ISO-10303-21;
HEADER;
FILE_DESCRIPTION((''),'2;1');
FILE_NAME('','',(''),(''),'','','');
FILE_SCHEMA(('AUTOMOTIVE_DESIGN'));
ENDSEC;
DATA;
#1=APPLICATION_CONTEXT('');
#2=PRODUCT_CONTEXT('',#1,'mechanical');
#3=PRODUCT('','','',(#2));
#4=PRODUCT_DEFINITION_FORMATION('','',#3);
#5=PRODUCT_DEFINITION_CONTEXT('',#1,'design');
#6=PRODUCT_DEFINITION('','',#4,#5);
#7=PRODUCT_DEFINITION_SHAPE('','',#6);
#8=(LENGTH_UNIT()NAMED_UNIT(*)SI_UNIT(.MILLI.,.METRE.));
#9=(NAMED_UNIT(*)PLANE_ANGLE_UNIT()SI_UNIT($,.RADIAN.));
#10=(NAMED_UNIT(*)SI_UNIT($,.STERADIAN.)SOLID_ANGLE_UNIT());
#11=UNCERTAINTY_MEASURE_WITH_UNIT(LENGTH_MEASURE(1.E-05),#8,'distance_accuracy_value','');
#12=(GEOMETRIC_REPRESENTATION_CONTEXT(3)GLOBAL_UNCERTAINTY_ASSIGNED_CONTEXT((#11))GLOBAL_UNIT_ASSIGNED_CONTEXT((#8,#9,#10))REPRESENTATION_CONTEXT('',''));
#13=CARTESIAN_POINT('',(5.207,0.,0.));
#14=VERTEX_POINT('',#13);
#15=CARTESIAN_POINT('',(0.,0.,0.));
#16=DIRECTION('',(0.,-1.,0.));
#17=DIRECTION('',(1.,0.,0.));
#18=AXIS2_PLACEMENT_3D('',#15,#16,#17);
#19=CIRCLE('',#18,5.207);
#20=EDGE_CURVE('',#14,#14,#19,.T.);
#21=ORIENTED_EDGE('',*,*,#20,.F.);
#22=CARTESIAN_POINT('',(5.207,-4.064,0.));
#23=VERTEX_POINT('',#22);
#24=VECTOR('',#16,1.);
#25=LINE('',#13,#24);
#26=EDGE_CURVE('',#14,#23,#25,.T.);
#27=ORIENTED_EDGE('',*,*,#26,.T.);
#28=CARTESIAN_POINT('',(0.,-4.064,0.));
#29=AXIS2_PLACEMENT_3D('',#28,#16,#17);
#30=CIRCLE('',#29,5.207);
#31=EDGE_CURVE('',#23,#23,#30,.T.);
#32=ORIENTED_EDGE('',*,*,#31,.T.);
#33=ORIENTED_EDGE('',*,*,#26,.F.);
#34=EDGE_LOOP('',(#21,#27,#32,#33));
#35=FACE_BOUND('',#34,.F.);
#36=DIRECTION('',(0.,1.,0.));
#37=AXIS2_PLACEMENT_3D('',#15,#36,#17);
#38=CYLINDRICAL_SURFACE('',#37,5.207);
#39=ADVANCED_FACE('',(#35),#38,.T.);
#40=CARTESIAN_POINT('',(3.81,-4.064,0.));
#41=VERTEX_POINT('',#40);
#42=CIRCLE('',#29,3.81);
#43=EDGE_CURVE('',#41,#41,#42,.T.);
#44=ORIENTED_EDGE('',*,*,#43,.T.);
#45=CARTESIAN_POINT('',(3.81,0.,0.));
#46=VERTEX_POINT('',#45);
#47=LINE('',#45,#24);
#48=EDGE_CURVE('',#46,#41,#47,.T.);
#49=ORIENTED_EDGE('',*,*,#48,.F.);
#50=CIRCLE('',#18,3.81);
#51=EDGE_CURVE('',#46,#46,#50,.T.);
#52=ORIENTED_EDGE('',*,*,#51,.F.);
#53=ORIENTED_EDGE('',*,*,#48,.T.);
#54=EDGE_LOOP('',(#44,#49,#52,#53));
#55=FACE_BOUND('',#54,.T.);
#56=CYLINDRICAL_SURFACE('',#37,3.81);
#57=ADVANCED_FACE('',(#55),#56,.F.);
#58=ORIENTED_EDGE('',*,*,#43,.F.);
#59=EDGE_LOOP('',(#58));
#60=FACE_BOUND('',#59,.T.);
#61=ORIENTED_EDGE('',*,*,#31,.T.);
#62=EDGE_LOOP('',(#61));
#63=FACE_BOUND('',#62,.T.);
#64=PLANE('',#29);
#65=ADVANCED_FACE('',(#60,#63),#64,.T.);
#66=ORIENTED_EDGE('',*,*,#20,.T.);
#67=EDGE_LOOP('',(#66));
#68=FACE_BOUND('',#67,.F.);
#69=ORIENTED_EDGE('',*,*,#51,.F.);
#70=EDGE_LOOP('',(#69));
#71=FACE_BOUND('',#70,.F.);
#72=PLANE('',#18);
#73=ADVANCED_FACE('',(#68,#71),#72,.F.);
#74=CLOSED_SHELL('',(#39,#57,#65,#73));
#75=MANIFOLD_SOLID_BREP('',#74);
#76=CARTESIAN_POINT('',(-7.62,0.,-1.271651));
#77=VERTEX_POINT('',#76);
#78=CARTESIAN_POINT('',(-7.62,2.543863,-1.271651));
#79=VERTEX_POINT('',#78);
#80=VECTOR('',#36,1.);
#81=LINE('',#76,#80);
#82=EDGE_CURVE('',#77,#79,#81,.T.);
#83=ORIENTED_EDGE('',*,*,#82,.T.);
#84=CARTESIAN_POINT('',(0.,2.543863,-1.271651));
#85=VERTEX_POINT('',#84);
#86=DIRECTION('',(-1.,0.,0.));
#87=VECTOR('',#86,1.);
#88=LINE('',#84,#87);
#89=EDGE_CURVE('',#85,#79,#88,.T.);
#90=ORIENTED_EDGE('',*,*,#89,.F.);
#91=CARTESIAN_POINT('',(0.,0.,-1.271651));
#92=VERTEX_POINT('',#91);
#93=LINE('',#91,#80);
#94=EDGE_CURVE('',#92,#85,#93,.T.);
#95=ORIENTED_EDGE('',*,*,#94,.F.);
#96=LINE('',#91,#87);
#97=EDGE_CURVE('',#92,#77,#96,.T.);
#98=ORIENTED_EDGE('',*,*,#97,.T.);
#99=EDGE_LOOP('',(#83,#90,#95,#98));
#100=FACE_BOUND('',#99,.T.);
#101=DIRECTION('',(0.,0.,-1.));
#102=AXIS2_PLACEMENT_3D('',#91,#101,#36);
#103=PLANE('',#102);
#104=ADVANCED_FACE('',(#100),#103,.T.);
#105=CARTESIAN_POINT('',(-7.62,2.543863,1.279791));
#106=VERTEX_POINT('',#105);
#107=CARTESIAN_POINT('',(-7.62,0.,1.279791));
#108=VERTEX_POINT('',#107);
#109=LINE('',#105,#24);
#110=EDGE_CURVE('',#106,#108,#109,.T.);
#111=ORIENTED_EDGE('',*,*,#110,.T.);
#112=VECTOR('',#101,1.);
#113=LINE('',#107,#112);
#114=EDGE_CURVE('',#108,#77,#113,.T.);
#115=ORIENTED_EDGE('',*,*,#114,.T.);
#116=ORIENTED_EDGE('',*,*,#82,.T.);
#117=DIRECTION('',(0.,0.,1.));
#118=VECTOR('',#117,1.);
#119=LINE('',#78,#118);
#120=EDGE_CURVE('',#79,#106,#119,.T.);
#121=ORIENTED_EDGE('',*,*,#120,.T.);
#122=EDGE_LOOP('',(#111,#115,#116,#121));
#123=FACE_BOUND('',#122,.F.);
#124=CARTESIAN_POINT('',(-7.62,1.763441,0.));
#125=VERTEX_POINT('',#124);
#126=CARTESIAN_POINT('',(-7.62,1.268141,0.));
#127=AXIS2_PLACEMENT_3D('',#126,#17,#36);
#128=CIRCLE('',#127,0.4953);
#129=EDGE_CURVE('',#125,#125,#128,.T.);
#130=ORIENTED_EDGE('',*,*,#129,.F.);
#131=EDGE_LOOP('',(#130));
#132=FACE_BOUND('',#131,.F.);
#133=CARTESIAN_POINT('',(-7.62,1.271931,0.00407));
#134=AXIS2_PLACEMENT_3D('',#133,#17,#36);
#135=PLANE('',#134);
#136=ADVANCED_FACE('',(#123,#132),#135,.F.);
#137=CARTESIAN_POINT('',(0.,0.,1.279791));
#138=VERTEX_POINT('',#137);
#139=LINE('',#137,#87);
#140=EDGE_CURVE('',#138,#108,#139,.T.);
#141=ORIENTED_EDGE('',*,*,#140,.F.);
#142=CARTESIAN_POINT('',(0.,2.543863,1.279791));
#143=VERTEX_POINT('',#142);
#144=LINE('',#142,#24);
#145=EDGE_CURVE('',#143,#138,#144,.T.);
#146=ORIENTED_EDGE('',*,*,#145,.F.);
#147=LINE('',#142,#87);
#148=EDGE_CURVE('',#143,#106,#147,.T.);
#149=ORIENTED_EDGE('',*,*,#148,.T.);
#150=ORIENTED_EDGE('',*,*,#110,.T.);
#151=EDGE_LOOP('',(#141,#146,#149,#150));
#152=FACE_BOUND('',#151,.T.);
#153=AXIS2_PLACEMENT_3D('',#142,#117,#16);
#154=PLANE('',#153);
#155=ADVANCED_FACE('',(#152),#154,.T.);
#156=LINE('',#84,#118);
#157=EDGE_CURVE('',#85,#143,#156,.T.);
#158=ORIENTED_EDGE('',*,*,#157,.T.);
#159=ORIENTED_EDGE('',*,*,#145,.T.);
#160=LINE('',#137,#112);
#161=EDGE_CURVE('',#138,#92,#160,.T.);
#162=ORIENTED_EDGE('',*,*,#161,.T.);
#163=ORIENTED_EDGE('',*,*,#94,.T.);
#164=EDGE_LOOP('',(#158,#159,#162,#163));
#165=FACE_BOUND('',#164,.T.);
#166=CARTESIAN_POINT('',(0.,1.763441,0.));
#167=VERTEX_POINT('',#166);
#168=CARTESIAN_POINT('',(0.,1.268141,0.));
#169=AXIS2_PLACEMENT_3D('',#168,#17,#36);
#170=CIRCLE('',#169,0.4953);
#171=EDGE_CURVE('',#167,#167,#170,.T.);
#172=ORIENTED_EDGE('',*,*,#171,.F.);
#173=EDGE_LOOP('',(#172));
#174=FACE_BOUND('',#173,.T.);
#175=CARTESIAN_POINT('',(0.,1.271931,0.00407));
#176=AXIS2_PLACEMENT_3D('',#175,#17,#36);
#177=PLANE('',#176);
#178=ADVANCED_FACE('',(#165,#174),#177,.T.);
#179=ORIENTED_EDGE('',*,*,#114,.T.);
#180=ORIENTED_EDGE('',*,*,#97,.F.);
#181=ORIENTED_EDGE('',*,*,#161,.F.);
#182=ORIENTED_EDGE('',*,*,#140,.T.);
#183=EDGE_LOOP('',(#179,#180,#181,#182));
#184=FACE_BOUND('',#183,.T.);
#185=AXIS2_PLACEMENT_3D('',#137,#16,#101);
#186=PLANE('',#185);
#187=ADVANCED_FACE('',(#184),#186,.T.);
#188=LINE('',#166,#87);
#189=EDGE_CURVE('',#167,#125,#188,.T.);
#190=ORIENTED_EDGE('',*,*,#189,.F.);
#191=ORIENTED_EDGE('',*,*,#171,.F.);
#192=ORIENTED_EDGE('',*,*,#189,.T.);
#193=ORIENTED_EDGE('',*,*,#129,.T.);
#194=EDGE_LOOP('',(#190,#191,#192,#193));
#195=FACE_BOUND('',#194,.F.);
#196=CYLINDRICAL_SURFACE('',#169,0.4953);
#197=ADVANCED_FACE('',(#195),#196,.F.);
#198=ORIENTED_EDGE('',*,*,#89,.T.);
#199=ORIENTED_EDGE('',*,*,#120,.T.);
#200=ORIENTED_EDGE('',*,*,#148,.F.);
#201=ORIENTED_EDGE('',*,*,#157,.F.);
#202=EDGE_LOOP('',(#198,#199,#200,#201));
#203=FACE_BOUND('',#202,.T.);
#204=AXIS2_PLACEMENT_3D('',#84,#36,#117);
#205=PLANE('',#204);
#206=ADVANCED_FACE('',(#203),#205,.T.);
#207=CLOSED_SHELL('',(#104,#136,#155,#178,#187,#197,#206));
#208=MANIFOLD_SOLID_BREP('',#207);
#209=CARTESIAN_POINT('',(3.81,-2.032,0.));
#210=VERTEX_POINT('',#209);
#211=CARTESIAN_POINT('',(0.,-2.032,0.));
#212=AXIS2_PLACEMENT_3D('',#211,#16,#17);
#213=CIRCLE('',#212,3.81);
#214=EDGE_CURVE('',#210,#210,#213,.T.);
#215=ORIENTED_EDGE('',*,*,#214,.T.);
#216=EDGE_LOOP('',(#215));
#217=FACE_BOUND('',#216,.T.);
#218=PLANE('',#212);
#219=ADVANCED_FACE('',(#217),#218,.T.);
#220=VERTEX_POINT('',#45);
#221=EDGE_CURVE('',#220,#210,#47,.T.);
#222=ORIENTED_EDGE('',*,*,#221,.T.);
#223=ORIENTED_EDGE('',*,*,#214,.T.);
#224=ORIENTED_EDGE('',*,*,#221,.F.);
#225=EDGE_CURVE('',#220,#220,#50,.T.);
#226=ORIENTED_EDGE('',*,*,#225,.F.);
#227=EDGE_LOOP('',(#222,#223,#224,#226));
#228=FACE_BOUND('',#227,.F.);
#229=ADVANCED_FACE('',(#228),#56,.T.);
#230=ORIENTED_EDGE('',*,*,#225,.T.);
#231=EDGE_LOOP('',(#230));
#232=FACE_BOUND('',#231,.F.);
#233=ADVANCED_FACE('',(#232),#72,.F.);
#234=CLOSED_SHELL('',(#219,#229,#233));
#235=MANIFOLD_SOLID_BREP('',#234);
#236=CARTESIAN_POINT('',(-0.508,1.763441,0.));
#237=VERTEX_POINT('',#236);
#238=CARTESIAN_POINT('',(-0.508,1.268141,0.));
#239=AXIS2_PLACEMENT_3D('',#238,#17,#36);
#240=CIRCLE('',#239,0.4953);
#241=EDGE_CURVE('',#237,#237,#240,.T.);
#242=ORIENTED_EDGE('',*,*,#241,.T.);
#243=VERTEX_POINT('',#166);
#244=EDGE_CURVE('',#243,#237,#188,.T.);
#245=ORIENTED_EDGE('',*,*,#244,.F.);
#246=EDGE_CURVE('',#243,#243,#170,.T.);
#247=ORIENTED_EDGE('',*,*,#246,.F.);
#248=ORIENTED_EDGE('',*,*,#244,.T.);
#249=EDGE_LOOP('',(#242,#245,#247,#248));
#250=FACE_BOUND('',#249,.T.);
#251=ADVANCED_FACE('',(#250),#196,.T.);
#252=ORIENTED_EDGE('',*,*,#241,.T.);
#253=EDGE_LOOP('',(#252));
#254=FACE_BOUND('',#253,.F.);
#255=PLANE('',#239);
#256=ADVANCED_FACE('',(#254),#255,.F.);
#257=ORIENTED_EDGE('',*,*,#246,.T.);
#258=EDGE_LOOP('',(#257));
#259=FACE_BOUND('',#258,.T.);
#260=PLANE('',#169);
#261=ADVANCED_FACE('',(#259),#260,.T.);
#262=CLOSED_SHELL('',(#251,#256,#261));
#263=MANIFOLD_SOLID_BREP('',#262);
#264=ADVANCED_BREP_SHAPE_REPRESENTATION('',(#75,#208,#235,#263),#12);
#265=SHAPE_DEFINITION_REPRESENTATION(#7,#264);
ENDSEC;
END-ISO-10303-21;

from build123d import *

# Parameters (mm, degrees)
F0_R     = 5.207
F0_R_2   = 3.81
F1_DEPTH = 4.064
F2_DEPTH = 2.032
F3_R     = 0.4953
F4_DEPTH = 0.508
F5_DEPTH = 7.62


with BuildPart() as f1:
    # F0 (on Front) → F1 (new body)
    with BuildSketch(Plane.XZ):
        Circle(F0_R)
        Circle(F0_R_2, mode=Mode.SUBTRACT)
    extrude(amount=F1_DEPTH)


with BuildPart() as f2:
    # F0 (on Front) → F2 (new body)
    with BuildSketch(Plane.XZ):
        Circle(F0_R_2)
    extrude(amount=F2_DEPTH)


with BuildPart() as f4:
    # F3 (on Right) → F4 (new body)
    with BuildSketch(Plane.YZ):
        with Locations((1.268141, 0)):
            Circle(F3_R)
    extrude(amount=-F4_DEPTH)


with BuildPart() as f5:
    # F3 (on Right) → F5 (new body)
    with BuildSketch(Plane.YZ):
        Polygon((0, 1.279791), (0, 0), (0, -1.271651), (2.543863, -1.271651), (2.543863, 1.279791), align=None)
        with Locations((1.268141, 0)):
            Circle(F3_R, mode=Mode.SUBTRACT)
    extrude(amount=-F5_DEPTH)


solid = Compound([f1.part, f2.part, f4.part, f5.part])
